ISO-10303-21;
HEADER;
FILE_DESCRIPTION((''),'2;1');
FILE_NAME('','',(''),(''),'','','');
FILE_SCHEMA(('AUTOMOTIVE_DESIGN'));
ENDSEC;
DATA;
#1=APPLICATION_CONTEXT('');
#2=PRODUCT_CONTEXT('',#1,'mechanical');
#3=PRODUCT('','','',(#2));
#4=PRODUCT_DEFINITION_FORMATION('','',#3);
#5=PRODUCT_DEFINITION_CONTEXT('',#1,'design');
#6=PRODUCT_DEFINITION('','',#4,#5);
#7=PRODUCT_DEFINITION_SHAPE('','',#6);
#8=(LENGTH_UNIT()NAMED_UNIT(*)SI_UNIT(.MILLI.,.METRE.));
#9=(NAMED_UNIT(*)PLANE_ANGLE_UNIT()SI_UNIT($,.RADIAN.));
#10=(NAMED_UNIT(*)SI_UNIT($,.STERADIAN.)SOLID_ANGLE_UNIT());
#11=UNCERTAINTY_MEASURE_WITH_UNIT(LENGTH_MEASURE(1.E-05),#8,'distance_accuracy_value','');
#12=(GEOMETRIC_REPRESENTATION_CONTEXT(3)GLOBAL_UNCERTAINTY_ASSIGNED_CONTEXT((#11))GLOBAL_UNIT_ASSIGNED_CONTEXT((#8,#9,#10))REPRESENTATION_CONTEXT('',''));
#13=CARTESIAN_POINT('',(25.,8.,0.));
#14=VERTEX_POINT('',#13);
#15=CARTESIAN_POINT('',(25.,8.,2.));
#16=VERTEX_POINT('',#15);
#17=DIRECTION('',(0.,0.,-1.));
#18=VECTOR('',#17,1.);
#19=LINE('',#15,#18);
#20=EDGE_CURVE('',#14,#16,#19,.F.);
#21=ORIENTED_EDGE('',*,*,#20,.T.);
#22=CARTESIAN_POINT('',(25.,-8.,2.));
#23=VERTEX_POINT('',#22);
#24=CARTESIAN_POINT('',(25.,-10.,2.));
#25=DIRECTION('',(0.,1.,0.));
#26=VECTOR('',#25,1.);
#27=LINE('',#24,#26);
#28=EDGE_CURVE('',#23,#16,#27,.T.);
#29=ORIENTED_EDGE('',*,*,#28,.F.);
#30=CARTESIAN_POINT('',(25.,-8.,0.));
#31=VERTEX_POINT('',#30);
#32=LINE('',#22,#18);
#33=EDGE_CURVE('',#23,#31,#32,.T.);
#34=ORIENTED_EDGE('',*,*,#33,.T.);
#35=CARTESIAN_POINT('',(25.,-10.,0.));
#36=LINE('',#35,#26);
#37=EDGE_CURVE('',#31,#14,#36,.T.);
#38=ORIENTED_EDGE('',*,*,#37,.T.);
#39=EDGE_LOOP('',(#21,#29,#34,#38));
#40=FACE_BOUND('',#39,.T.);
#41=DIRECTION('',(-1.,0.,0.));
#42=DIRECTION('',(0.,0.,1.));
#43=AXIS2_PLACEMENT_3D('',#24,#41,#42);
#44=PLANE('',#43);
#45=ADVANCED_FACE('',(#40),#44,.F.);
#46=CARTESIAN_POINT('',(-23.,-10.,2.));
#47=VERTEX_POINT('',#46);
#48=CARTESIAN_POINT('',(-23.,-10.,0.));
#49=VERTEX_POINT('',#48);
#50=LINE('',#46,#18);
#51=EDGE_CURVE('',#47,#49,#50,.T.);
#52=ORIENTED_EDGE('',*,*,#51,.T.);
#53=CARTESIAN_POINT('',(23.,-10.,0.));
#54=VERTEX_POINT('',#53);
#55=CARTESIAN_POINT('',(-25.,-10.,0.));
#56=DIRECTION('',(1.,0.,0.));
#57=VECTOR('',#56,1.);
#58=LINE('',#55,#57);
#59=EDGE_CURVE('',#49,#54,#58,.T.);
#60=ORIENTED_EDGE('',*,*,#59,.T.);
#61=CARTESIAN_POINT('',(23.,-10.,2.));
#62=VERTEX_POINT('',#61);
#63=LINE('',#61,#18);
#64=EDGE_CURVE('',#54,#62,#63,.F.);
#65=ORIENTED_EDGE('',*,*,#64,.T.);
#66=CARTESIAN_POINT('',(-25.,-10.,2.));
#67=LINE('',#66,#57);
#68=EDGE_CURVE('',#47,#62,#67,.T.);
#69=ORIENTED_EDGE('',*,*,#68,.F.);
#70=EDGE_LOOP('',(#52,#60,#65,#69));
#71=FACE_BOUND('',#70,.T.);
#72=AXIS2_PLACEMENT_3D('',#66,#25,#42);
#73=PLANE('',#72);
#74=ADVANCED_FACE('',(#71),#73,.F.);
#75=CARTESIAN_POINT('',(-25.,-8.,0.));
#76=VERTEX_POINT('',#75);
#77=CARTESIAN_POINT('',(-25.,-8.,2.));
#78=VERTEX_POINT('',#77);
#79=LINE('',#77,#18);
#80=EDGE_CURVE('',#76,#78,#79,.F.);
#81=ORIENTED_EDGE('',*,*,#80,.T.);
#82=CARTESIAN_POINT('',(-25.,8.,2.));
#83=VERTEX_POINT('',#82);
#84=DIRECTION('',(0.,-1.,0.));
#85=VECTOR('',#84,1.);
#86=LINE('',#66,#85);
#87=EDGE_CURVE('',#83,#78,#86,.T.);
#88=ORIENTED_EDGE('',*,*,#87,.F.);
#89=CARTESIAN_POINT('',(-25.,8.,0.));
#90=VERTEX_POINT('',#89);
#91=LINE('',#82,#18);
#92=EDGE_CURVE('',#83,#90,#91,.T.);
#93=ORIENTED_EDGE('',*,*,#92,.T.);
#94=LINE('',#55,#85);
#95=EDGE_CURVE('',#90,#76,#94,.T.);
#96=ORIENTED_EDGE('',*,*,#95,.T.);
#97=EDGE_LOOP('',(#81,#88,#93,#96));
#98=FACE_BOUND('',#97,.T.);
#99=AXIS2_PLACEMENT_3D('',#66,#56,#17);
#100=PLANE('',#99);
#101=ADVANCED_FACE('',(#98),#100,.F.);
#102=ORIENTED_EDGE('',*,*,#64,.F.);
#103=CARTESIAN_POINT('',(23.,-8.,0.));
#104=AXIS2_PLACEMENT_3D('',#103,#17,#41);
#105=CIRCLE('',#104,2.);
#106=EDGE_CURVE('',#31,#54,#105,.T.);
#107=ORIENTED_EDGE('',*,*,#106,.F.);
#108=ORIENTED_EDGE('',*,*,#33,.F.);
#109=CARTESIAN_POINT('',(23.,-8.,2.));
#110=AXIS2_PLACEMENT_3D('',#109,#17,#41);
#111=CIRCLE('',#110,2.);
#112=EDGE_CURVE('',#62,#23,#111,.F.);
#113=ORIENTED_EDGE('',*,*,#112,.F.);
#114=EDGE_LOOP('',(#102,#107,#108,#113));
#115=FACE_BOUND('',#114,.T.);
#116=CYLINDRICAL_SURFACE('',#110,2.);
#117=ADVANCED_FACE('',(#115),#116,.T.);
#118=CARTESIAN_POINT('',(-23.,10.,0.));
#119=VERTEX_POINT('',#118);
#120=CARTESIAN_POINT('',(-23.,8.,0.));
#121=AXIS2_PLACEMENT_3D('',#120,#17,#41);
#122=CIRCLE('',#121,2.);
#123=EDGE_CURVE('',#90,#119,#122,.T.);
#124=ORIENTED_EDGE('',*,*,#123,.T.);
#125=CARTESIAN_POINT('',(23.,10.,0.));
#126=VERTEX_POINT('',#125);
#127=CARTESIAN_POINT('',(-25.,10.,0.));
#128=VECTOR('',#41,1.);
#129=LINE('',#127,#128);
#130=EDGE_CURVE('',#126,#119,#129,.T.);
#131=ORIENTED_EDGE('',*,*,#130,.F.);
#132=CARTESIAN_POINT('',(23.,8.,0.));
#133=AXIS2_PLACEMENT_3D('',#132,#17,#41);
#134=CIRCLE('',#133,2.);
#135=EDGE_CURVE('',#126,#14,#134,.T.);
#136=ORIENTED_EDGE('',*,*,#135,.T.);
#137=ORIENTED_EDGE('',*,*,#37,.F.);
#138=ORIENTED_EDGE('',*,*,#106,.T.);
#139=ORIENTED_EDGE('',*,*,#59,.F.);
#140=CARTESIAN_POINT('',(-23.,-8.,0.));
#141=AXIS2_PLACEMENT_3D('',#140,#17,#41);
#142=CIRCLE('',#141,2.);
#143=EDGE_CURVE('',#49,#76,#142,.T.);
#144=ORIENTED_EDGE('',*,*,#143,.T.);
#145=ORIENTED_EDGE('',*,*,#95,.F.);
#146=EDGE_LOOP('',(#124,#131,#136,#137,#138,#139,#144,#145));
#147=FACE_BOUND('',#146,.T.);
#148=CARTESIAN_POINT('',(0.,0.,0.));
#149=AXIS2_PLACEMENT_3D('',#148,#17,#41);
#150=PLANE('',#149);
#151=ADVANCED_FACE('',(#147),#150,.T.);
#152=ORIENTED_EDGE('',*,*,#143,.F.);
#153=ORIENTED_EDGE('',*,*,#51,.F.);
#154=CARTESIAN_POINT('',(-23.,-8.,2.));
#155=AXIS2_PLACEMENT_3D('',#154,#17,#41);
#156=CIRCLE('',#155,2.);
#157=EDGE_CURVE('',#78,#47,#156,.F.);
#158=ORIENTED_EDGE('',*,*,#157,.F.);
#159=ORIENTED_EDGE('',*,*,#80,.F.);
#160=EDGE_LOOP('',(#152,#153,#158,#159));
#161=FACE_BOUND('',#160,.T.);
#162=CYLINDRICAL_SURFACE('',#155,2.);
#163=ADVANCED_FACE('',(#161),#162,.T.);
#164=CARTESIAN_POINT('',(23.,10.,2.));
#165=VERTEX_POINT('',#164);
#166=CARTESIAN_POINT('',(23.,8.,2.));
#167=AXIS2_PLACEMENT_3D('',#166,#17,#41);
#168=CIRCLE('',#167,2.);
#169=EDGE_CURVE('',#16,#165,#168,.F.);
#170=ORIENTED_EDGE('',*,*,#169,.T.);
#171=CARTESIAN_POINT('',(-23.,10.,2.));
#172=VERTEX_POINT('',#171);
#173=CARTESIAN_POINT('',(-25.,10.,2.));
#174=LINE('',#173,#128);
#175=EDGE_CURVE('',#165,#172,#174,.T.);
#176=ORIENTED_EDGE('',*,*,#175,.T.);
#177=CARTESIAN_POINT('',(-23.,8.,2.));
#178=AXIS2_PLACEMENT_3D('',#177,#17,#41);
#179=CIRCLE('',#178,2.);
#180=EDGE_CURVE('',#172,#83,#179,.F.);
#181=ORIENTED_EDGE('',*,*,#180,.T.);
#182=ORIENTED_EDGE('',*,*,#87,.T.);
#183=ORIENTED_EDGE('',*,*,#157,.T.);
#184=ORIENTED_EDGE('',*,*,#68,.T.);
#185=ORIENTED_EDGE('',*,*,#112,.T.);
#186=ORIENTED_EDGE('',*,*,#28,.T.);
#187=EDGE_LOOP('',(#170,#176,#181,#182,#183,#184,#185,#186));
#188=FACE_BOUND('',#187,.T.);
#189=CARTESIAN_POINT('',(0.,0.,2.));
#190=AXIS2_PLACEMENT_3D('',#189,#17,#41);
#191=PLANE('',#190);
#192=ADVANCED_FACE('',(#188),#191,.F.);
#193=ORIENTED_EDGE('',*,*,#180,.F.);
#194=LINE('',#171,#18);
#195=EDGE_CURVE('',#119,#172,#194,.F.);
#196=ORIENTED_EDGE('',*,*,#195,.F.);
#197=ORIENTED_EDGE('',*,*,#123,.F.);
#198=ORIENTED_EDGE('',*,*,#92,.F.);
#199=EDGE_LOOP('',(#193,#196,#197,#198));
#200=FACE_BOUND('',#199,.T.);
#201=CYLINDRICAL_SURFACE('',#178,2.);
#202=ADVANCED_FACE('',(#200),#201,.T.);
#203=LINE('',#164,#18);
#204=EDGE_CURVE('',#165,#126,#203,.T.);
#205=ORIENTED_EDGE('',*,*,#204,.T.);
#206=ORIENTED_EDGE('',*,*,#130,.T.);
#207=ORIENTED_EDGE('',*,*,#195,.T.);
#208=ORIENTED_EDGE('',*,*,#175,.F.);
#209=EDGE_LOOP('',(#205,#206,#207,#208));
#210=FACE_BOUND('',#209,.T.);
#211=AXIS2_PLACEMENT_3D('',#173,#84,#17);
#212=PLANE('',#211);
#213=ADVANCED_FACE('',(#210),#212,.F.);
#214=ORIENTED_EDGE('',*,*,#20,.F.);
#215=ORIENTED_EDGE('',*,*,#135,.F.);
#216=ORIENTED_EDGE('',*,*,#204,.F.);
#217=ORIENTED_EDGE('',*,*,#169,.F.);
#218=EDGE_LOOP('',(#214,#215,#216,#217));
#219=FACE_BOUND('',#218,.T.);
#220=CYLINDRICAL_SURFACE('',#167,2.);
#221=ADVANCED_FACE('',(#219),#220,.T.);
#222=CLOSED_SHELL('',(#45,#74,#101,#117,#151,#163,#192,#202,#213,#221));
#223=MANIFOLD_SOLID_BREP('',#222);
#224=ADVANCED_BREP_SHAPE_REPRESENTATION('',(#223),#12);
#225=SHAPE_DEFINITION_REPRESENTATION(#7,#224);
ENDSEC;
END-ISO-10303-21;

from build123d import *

# Parameters (mm, degrees)
ESQUISSE1_W        = 50
ESQUISSE1_H        = 20
BOSS_EXTRU_1_DEPTH = 2
CONG_1_R           = 2


with BuildPart() as part:
    # Esquisse1 → Boss.-Extru.1 (new body)
    with BuildSketch(Plane.XY):
        Rectangle(ESQUISSE1_W, ESQUISSE1_H)
    extrude(amount=BOSS_EXTRU_1_DEPTH)

    # Congé1
    cong_1_edges = [part.edges().sort_by_distance(p)[0] for p in [
        (25, -10, 1),
        (-25, -10, 1),
        (-25, 10, 1),
        (25, 10, 1),
    ]]
    fillet(cong_1_edges, radius=CONG_1_R)


solid = part.part
